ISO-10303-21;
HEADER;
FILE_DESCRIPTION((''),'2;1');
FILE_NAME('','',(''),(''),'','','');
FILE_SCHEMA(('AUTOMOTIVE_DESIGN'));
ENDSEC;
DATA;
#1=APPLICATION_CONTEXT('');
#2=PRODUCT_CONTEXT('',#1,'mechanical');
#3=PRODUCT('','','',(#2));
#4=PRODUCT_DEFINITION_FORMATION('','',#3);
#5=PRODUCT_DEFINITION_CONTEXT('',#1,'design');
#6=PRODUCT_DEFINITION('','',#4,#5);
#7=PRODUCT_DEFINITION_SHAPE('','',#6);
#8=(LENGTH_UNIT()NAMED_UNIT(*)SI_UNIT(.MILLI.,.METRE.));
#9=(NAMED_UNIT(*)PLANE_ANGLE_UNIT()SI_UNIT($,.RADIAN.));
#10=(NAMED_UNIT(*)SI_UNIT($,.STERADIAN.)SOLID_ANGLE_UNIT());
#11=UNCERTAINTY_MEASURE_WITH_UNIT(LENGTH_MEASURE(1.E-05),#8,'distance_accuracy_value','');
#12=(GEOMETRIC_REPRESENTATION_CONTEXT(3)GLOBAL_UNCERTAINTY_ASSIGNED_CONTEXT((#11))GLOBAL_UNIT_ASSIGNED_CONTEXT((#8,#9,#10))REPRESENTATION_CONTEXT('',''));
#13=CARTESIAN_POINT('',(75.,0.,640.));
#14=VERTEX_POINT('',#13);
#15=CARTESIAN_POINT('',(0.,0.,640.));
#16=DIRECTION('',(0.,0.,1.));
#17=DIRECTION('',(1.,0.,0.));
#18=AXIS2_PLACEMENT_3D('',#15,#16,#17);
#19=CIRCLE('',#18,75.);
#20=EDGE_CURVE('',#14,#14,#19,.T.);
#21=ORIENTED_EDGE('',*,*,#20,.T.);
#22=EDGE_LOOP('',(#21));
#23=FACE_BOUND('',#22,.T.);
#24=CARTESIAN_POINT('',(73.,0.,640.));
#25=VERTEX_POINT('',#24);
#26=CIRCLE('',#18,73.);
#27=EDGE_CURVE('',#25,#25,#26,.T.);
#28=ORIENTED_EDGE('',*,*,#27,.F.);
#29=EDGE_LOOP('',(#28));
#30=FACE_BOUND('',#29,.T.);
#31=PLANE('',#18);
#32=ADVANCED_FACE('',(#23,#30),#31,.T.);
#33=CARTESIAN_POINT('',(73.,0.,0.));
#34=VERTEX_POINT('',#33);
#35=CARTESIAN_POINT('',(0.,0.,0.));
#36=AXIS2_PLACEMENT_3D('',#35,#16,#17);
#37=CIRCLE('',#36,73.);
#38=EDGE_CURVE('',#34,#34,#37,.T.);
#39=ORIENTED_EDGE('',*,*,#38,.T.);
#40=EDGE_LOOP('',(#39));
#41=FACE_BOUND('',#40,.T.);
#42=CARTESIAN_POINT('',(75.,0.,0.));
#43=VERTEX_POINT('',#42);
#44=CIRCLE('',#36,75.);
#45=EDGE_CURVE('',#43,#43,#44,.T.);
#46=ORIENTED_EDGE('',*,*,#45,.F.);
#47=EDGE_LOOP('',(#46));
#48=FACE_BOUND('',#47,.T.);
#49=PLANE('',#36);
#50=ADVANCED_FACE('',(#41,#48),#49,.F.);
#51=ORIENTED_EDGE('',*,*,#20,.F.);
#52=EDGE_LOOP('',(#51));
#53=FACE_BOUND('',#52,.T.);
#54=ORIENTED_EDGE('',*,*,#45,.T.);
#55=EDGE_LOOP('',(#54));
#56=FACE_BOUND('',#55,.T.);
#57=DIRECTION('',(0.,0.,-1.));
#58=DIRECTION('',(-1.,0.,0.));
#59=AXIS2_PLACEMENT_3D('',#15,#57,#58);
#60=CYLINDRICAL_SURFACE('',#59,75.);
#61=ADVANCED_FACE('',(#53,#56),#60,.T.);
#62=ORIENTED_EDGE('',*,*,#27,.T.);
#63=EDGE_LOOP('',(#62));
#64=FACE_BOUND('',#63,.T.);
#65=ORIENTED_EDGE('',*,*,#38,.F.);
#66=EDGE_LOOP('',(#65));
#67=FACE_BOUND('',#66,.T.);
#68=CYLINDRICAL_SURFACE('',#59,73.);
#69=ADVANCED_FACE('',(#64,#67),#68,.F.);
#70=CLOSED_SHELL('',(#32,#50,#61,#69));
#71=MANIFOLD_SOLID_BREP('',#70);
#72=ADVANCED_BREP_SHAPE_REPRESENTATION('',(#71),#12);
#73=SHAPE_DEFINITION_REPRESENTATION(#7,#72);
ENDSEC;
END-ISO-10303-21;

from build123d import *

# Parameters (mm, degrees)
SCHIZZO1_R                = 75
SCHIZZO1_R_2              = 73
ESTRUSIONE_SOTTILE1_DEPTH = 640


with BuildPart() as part:
    # Schizzo1 → Estrusione-Sottile1 (new body)
    with BuildSketch(Plane.XY):
        Circle(SCHIZZO1_R)
        Circle(SCHIZZO1_R_2, mode=Mode.SUBTRACT)
    extrude(amount=ESTRUSIONE_SOTTILE1_DEPTH)


solid = part.part
